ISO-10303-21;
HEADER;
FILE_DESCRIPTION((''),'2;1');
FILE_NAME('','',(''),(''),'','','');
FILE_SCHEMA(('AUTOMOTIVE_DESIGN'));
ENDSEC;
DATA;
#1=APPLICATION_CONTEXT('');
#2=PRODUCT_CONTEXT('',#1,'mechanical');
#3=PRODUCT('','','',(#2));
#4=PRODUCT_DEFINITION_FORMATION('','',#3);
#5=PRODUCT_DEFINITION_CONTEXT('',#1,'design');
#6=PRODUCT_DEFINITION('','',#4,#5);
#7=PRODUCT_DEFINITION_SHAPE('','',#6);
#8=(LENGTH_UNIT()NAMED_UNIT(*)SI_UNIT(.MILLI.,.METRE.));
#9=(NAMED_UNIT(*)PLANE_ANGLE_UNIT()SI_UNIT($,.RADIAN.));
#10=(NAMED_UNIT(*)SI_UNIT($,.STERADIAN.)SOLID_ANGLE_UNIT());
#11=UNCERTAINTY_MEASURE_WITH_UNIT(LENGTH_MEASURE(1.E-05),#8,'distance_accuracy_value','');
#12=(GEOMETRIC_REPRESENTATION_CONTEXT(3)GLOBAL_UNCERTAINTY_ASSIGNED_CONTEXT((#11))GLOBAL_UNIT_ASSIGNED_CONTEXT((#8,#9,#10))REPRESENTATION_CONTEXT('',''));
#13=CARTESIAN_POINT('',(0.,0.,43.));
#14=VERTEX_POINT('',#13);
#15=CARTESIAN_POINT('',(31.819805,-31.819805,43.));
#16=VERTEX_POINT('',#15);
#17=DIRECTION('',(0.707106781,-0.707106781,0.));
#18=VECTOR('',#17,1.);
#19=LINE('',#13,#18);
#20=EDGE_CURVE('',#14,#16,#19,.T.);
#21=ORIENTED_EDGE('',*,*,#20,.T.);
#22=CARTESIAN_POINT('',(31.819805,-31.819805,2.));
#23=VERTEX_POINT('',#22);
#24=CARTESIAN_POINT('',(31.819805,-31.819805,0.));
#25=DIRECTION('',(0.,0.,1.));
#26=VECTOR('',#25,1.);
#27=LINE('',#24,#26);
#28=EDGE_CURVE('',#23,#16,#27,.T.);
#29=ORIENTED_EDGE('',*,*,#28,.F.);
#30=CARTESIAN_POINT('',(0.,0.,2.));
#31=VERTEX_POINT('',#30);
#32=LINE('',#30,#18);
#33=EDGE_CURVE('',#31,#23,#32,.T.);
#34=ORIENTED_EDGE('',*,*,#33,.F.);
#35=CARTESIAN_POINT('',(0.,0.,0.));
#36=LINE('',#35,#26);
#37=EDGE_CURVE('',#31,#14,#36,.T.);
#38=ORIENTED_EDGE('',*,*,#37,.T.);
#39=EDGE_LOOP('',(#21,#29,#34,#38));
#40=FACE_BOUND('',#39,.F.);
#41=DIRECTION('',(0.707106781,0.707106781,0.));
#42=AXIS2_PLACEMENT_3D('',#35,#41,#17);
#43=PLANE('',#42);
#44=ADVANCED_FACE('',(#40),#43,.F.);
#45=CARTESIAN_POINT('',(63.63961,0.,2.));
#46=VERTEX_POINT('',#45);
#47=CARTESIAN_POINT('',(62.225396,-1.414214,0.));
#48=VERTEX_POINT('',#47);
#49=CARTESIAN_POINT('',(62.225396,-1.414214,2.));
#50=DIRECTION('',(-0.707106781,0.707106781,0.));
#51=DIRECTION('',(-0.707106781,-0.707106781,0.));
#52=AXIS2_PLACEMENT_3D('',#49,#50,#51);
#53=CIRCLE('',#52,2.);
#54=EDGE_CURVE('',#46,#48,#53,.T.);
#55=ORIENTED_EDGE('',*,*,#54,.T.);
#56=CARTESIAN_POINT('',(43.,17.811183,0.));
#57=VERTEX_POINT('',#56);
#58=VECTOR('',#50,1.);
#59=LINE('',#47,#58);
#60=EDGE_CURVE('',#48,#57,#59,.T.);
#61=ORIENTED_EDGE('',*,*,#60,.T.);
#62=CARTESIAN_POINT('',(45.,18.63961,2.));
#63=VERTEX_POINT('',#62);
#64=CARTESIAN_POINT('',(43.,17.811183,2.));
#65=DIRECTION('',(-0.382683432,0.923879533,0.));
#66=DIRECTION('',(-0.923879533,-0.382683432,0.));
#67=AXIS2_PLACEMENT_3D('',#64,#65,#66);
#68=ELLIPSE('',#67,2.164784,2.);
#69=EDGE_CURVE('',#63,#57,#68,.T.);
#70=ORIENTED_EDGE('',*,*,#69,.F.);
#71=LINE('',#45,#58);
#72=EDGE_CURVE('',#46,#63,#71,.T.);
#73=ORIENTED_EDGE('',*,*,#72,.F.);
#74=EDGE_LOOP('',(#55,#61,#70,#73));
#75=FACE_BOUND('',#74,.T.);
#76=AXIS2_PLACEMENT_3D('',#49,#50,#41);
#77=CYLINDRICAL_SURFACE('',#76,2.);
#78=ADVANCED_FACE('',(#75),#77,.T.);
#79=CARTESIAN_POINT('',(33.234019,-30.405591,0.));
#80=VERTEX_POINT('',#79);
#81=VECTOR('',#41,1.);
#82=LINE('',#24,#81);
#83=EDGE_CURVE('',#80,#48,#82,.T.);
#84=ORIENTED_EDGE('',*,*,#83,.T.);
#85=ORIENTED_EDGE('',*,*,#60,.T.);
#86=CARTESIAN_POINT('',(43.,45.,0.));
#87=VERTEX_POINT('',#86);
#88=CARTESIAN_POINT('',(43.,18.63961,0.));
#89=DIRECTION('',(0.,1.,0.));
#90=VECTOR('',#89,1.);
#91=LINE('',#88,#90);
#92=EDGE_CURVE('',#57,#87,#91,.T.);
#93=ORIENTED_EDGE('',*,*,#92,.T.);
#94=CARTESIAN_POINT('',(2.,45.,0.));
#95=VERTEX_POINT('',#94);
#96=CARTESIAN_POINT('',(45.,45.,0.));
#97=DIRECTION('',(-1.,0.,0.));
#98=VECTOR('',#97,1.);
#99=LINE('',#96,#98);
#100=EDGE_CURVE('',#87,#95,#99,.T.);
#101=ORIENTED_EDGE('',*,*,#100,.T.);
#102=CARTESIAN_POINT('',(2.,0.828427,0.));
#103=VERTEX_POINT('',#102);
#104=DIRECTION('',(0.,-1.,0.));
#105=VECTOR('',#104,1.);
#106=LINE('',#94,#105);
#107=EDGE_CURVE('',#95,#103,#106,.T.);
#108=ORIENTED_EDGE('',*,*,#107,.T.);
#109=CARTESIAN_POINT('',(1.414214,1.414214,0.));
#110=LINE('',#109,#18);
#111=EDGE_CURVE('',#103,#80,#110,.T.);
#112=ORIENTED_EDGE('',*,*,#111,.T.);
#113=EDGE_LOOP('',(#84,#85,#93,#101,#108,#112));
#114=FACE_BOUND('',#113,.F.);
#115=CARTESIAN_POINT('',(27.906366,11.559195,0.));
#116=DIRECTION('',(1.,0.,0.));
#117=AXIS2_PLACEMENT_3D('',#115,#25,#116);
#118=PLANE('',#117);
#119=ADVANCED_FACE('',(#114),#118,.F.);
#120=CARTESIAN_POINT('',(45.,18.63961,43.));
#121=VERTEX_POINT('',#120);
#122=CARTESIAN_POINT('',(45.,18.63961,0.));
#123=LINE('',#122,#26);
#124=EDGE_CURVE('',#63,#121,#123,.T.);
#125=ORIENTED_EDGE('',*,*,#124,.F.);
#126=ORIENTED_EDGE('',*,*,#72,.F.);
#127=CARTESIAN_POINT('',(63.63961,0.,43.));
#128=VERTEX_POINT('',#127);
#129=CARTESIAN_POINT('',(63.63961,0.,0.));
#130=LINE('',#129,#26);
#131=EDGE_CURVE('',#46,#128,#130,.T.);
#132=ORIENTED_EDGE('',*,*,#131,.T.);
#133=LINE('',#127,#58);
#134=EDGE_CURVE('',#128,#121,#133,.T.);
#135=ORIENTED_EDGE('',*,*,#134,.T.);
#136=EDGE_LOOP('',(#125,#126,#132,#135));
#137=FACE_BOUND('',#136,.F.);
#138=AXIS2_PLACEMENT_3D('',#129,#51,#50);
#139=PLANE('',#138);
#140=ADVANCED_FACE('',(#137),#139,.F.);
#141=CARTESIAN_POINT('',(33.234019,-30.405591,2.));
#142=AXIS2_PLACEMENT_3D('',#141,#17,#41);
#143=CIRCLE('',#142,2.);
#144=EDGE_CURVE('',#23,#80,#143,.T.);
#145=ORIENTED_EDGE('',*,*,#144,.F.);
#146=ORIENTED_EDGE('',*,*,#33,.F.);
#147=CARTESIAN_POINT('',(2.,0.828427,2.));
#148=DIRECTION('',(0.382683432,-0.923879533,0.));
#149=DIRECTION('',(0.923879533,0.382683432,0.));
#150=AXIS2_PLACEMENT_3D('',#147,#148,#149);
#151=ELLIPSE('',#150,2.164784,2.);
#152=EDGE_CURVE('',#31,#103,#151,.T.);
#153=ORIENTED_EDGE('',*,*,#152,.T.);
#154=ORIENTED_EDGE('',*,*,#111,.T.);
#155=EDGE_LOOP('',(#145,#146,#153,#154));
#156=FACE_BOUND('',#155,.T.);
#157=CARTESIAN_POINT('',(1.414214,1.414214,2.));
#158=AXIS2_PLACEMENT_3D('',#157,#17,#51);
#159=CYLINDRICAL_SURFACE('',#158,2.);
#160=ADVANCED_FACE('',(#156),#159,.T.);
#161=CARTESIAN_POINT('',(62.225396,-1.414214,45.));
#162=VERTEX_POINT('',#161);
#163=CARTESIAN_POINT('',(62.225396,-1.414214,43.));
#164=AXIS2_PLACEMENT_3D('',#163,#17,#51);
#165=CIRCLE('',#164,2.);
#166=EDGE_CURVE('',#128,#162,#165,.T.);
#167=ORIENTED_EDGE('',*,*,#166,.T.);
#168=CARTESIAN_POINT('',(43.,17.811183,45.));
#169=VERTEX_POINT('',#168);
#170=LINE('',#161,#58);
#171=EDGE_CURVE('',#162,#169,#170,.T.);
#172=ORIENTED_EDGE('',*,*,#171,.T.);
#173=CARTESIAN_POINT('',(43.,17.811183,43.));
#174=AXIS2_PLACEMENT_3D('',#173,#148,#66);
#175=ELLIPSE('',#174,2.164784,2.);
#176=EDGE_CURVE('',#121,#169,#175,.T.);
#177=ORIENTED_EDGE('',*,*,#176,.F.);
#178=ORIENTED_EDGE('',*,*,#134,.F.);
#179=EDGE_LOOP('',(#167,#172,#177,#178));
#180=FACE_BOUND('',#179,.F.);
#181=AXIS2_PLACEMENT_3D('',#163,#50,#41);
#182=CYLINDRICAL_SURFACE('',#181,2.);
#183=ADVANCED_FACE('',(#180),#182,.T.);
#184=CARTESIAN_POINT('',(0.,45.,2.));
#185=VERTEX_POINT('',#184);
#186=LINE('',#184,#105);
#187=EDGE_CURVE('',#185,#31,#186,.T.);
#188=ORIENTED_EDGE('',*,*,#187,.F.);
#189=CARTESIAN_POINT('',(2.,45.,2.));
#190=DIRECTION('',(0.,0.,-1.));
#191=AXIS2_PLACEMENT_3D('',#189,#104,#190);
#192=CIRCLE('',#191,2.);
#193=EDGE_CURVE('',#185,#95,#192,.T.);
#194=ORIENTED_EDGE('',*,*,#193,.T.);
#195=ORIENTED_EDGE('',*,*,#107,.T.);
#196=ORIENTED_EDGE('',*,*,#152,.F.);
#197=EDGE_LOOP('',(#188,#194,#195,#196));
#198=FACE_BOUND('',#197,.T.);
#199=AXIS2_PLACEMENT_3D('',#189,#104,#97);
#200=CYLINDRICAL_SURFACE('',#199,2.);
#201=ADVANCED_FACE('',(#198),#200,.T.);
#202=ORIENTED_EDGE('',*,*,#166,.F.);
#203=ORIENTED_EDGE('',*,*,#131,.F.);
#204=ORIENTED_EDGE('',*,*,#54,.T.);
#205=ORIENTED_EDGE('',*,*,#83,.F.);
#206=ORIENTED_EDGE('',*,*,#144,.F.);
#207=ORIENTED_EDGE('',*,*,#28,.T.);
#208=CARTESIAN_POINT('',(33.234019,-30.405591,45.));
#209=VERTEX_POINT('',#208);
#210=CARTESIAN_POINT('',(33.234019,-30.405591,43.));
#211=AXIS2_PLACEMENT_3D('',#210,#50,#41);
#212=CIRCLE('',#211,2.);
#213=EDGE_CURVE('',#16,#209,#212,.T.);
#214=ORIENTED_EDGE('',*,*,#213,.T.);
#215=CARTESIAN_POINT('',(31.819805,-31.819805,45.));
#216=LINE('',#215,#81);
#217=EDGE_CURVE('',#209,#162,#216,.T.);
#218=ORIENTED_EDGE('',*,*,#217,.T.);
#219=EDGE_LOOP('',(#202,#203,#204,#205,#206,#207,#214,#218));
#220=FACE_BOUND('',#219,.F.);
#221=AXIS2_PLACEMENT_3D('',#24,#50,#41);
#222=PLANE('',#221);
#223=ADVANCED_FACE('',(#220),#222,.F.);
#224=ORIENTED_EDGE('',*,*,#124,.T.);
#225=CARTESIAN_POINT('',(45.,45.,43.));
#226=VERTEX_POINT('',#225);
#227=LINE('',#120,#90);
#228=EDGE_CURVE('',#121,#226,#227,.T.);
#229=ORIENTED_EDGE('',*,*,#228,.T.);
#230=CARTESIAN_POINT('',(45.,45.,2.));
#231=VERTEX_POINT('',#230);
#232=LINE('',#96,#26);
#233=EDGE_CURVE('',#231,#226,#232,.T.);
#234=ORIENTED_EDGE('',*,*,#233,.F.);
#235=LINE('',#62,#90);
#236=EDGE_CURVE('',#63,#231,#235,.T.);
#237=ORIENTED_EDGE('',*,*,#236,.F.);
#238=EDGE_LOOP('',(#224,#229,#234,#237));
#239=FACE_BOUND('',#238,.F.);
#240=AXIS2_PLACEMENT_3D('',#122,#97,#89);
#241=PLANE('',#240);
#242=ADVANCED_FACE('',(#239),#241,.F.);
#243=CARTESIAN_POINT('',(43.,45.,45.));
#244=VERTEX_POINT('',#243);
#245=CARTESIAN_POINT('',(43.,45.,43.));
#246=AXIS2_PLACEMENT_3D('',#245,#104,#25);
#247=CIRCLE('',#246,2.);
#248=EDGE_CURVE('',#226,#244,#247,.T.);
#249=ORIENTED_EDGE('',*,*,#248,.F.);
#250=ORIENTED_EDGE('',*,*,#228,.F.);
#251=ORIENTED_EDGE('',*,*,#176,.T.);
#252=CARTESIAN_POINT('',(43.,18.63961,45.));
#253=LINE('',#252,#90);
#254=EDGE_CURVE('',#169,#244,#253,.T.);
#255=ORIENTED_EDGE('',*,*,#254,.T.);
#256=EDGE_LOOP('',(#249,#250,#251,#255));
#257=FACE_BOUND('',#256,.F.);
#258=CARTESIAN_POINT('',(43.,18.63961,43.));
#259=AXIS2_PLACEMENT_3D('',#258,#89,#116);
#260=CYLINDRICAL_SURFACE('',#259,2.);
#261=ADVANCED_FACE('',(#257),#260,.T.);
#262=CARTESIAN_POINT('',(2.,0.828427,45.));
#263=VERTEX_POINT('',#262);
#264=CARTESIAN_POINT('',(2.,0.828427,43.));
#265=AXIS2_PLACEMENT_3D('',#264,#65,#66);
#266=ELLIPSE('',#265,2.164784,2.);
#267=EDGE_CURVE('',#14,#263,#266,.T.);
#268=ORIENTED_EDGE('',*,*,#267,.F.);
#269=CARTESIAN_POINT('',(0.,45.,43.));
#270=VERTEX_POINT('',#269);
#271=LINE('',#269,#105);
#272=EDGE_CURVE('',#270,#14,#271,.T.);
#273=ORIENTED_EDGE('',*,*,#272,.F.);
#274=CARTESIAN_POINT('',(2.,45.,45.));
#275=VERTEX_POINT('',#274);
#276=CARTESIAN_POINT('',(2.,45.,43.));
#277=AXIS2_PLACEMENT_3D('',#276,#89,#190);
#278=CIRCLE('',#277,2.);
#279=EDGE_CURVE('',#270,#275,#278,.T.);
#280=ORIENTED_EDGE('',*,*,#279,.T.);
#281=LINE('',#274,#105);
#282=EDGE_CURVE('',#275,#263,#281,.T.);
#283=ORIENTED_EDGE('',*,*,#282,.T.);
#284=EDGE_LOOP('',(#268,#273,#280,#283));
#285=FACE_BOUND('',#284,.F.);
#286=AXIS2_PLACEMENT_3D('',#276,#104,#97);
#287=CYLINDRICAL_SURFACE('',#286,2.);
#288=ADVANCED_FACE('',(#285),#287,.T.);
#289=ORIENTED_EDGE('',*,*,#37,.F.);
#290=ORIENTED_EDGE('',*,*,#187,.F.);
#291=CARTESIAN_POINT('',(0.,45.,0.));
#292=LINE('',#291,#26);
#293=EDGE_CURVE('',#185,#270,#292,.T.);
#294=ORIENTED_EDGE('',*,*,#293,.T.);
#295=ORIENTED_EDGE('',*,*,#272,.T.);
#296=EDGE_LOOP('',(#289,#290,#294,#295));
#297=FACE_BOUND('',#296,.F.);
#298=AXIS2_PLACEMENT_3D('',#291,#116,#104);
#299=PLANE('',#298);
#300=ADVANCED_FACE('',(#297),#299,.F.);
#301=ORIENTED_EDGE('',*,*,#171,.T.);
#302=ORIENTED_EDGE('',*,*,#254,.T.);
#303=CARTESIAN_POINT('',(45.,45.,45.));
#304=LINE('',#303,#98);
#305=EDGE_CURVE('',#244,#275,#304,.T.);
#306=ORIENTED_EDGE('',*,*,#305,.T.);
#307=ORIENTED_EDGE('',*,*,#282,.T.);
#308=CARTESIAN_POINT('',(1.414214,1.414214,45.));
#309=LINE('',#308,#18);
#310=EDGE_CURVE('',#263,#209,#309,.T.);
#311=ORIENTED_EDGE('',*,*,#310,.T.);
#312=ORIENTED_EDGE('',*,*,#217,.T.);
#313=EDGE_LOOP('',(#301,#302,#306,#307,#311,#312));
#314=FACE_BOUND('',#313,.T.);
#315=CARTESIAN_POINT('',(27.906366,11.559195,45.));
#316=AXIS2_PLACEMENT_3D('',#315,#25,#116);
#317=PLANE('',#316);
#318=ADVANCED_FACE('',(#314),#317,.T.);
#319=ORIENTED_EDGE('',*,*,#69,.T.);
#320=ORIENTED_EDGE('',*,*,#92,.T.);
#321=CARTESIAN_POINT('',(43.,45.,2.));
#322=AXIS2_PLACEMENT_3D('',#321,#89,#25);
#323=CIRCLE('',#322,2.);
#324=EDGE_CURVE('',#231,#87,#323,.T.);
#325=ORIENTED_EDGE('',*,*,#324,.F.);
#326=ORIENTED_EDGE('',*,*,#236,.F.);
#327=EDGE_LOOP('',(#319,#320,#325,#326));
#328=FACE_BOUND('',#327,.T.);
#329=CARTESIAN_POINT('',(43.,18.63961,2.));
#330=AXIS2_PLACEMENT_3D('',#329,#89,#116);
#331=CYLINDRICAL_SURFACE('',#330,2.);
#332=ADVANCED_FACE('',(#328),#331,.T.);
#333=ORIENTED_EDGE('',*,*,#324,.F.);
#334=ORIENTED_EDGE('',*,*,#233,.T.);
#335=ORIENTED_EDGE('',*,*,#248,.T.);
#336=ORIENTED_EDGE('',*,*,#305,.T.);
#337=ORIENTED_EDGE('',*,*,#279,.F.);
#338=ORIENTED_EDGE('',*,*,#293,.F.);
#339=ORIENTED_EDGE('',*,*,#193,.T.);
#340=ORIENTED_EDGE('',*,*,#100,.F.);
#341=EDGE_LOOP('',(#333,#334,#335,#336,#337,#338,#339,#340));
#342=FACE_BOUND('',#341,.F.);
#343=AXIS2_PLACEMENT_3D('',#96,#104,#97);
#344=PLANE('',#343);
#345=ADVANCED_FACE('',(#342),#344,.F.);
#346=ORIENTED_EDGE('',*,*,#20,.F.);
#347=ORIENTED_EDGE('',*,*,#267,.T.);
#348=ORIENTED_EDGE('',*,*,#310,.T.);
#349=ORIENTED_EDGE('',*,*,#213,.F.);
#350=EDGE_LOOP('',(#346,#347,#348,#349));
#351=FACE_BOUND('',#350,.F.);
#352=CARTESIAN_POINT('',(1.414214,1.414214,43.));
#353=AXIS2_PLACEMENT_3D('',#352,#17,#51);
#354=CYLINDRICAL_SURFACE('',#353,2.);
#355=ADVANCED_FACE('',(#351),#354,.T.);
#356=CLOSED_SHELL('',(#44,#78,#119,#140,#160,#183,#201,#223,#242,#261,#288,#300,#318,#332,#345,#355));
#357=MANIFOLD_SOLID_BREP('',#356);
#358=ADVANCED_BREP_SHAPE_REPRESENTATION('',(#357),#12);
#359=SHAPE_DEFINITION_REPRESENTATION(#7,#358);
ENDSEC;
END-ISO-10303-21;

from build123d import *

# Parameters (mm, degrees)
F1_DEPTH = 45
F2_R     = 2


with BuildPart() as f1:
    # F0 (on Top) → F1 (new body)
    with BuildSketch(Plane.XY):
        Polygon((0, 45), (0, 0), (31.819805, -31.819805), (63.63961, 0), (45, 18.63961), (45, 45), align=None)
    extrude(amount=F1_DEPTH)

    # F2
    f2_edges = [f1.edges().sort_by_distance(p)[0] for p in [
        (54.319805, 9.319805, 0),
        (45, 31.819805, 0),
        (15.909903, -15.909903, 0),
        (0, 22.5, 0),
        (54.319805, 9.319805, 45),
        (45, 31.819805, 45),
        (0, 22.5, 45),
        (15.909903, -15.909903, 45),
    ]]
    fillet(f2_edges, radius=F2_R)


solid = f1.part
